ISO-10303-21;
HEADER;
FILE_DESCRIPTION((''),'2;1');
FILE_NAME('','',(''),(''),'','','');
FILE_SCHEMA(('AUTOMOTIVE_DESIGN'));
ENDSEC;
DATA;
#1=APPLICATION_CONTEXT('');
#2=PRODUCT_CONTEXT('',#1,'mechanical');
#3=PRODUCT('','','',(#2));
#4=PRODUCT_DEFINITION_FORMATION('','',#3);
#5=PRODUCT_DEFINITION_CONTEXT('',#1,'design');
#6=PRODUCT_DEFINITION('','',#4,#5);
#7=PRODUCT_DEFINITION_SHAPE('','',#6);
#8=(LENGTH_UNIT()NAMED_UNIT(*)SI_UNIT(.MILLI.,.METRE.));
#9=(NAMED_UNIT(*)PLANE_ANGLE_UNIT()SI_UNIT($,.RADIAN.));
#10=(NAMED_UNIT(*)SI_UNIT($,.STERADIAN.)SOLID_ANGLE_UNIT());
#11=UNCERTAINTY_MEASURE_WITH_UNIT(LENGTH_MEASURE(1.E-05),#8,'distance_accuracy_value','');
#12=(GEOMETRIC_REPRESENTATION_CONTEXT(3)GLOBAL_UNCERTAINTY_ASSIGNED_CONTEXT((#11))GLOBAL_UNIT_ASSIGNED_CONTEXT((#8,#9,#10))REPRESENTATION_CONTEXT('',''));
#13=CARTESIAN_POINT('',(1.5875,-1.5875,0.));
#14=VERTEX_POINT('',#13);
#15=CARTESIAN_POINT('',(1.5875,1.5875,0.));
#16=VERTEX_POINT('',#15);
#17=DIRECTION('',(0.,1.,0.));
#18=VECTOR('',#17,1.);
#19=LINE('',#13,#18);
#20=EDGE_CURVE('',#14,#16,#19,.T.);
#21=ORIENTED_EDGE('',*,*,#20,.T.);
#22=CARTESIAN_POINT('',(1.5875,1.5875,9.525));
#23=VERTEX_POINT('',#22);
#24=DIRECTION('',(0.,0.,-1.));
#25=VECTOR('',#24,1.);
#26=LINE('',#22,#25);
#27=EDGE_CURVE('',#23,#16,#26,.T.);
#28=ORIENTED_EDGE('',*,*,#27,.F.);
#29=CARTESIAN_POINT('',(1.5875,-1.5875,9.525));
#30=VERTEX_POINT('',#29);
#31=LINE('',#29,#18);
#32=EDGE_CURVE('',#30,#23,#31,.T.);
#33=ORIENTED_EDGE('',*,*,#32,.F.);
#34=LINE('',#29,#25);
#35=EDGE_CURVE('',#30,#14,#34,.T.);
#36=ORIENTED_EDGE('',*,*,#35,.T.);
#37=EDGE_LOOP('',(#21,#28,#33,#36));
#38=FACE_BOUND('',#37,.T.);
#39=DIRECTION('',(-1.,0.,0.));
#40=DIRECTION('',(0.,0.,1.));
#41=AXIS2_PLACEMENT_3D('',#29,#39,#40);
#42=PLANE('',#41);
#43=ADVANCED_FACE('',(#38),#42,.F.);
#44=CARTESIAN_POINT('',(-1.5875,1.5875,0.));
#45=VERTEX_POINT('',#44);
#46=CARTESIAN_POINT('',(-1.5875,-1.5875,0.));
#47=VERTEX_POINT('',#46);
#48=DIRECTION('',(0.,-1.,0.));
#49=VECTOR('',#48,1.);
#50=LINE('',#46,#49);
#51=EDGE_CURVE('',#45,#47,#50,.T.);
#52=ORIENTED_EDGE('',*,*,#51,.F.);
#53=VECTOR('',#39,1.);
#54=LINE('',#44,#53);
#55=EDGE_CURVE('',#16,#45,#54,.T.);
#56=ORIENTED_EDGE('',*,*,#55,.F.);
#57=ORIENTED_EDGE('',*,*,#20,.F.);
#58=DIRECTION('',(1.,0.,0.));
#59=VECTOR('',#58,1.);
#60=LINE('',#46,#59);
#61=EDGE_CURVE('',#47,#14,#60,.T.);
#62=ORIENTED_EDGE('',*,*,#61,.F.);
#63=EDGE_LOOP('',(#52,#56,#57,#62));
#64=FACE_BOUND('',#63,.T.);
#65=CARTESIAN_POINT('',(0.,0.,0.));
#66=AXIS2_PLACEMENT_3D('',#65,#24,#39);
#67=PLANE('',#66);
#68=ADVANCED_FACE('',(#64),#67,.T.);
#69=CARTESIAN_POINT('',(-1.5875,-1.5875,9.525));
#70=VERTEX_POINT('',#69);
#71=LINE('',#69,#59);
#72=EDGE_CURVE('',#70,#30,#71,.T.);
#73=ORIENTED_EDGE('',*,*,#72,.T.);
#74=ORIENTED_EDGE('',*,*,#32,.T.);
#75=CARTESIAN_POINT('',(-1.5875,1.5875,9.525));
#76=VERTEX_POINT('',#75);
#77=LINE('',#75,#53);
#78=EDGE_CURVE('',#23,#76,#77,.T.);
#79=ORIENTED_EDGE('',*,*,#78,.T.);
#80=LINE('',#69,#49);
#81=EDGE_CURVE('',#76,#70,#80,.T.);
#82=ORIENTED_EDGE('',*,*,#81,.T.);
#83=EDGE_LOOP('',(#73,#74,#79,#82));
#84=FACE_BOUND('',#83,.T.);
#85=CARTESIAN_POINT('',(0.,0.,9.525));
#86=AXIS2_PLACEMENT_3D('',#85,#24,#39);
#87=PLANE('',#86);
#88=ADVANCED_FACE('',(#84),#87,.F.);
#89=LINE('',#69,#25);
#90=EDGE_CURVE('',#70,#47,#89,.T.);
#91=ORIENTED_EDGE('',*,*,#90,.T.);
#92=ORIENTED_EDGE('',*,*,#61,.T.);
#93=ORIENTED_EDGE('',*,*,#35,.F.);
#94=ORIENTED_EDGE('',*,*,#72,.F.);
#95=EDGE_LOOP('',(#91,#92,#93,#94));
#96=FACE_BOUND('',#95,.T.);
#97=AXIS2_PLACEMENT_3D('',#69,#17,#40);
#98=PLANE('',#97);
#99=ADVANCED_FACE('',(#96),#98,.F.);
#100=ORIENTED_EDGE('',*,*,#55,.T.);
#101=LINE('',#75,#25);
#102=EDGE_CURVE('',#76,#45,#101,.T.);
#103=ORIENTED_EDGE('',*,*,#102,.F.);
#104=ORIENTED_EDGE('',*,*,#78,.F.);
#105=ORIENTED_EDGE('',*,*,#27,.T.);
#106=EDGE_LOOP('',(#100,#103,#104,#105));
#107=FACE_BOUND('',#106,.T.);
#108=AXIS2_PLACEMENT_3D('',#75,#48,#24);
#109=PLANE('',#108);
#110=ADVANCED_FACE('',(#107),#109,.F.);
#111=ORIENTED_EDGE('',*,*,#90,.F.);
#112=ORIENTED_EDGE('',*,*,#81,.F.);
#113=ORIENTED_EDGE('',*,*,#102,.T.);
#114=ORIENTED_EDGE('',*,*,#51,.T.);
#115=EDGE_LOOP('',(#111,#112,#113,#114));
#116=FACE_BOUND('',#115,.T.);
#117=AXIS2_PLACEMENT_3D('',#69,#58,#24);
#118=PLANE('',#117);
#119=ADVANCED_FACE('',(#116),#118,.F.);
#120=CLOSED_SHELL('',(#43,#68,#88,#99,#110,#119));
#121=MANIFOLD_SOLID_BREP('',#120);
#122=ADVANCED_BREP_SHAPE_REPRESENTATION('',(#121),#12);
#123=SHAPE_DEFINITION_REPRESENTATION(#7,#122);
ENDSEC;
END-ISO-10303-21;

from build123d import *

# Parameters (mm, degrees)
SKETCH2_W           = 3.175
SKETCH2_H           = 3.175
BOSS_EXTRUDE1_DEPTH = 9.525


with BuildPart() as part:
    # Sketch2 → Boss-Extrude1 (new body)
    with BuildSketch(Plane.XY):
        Rectangle(SKETCH2_W, SKETCH2_H)
    extrude(amount=BOSS_EXTRUDE1_DEPTH)


solid = part.part
